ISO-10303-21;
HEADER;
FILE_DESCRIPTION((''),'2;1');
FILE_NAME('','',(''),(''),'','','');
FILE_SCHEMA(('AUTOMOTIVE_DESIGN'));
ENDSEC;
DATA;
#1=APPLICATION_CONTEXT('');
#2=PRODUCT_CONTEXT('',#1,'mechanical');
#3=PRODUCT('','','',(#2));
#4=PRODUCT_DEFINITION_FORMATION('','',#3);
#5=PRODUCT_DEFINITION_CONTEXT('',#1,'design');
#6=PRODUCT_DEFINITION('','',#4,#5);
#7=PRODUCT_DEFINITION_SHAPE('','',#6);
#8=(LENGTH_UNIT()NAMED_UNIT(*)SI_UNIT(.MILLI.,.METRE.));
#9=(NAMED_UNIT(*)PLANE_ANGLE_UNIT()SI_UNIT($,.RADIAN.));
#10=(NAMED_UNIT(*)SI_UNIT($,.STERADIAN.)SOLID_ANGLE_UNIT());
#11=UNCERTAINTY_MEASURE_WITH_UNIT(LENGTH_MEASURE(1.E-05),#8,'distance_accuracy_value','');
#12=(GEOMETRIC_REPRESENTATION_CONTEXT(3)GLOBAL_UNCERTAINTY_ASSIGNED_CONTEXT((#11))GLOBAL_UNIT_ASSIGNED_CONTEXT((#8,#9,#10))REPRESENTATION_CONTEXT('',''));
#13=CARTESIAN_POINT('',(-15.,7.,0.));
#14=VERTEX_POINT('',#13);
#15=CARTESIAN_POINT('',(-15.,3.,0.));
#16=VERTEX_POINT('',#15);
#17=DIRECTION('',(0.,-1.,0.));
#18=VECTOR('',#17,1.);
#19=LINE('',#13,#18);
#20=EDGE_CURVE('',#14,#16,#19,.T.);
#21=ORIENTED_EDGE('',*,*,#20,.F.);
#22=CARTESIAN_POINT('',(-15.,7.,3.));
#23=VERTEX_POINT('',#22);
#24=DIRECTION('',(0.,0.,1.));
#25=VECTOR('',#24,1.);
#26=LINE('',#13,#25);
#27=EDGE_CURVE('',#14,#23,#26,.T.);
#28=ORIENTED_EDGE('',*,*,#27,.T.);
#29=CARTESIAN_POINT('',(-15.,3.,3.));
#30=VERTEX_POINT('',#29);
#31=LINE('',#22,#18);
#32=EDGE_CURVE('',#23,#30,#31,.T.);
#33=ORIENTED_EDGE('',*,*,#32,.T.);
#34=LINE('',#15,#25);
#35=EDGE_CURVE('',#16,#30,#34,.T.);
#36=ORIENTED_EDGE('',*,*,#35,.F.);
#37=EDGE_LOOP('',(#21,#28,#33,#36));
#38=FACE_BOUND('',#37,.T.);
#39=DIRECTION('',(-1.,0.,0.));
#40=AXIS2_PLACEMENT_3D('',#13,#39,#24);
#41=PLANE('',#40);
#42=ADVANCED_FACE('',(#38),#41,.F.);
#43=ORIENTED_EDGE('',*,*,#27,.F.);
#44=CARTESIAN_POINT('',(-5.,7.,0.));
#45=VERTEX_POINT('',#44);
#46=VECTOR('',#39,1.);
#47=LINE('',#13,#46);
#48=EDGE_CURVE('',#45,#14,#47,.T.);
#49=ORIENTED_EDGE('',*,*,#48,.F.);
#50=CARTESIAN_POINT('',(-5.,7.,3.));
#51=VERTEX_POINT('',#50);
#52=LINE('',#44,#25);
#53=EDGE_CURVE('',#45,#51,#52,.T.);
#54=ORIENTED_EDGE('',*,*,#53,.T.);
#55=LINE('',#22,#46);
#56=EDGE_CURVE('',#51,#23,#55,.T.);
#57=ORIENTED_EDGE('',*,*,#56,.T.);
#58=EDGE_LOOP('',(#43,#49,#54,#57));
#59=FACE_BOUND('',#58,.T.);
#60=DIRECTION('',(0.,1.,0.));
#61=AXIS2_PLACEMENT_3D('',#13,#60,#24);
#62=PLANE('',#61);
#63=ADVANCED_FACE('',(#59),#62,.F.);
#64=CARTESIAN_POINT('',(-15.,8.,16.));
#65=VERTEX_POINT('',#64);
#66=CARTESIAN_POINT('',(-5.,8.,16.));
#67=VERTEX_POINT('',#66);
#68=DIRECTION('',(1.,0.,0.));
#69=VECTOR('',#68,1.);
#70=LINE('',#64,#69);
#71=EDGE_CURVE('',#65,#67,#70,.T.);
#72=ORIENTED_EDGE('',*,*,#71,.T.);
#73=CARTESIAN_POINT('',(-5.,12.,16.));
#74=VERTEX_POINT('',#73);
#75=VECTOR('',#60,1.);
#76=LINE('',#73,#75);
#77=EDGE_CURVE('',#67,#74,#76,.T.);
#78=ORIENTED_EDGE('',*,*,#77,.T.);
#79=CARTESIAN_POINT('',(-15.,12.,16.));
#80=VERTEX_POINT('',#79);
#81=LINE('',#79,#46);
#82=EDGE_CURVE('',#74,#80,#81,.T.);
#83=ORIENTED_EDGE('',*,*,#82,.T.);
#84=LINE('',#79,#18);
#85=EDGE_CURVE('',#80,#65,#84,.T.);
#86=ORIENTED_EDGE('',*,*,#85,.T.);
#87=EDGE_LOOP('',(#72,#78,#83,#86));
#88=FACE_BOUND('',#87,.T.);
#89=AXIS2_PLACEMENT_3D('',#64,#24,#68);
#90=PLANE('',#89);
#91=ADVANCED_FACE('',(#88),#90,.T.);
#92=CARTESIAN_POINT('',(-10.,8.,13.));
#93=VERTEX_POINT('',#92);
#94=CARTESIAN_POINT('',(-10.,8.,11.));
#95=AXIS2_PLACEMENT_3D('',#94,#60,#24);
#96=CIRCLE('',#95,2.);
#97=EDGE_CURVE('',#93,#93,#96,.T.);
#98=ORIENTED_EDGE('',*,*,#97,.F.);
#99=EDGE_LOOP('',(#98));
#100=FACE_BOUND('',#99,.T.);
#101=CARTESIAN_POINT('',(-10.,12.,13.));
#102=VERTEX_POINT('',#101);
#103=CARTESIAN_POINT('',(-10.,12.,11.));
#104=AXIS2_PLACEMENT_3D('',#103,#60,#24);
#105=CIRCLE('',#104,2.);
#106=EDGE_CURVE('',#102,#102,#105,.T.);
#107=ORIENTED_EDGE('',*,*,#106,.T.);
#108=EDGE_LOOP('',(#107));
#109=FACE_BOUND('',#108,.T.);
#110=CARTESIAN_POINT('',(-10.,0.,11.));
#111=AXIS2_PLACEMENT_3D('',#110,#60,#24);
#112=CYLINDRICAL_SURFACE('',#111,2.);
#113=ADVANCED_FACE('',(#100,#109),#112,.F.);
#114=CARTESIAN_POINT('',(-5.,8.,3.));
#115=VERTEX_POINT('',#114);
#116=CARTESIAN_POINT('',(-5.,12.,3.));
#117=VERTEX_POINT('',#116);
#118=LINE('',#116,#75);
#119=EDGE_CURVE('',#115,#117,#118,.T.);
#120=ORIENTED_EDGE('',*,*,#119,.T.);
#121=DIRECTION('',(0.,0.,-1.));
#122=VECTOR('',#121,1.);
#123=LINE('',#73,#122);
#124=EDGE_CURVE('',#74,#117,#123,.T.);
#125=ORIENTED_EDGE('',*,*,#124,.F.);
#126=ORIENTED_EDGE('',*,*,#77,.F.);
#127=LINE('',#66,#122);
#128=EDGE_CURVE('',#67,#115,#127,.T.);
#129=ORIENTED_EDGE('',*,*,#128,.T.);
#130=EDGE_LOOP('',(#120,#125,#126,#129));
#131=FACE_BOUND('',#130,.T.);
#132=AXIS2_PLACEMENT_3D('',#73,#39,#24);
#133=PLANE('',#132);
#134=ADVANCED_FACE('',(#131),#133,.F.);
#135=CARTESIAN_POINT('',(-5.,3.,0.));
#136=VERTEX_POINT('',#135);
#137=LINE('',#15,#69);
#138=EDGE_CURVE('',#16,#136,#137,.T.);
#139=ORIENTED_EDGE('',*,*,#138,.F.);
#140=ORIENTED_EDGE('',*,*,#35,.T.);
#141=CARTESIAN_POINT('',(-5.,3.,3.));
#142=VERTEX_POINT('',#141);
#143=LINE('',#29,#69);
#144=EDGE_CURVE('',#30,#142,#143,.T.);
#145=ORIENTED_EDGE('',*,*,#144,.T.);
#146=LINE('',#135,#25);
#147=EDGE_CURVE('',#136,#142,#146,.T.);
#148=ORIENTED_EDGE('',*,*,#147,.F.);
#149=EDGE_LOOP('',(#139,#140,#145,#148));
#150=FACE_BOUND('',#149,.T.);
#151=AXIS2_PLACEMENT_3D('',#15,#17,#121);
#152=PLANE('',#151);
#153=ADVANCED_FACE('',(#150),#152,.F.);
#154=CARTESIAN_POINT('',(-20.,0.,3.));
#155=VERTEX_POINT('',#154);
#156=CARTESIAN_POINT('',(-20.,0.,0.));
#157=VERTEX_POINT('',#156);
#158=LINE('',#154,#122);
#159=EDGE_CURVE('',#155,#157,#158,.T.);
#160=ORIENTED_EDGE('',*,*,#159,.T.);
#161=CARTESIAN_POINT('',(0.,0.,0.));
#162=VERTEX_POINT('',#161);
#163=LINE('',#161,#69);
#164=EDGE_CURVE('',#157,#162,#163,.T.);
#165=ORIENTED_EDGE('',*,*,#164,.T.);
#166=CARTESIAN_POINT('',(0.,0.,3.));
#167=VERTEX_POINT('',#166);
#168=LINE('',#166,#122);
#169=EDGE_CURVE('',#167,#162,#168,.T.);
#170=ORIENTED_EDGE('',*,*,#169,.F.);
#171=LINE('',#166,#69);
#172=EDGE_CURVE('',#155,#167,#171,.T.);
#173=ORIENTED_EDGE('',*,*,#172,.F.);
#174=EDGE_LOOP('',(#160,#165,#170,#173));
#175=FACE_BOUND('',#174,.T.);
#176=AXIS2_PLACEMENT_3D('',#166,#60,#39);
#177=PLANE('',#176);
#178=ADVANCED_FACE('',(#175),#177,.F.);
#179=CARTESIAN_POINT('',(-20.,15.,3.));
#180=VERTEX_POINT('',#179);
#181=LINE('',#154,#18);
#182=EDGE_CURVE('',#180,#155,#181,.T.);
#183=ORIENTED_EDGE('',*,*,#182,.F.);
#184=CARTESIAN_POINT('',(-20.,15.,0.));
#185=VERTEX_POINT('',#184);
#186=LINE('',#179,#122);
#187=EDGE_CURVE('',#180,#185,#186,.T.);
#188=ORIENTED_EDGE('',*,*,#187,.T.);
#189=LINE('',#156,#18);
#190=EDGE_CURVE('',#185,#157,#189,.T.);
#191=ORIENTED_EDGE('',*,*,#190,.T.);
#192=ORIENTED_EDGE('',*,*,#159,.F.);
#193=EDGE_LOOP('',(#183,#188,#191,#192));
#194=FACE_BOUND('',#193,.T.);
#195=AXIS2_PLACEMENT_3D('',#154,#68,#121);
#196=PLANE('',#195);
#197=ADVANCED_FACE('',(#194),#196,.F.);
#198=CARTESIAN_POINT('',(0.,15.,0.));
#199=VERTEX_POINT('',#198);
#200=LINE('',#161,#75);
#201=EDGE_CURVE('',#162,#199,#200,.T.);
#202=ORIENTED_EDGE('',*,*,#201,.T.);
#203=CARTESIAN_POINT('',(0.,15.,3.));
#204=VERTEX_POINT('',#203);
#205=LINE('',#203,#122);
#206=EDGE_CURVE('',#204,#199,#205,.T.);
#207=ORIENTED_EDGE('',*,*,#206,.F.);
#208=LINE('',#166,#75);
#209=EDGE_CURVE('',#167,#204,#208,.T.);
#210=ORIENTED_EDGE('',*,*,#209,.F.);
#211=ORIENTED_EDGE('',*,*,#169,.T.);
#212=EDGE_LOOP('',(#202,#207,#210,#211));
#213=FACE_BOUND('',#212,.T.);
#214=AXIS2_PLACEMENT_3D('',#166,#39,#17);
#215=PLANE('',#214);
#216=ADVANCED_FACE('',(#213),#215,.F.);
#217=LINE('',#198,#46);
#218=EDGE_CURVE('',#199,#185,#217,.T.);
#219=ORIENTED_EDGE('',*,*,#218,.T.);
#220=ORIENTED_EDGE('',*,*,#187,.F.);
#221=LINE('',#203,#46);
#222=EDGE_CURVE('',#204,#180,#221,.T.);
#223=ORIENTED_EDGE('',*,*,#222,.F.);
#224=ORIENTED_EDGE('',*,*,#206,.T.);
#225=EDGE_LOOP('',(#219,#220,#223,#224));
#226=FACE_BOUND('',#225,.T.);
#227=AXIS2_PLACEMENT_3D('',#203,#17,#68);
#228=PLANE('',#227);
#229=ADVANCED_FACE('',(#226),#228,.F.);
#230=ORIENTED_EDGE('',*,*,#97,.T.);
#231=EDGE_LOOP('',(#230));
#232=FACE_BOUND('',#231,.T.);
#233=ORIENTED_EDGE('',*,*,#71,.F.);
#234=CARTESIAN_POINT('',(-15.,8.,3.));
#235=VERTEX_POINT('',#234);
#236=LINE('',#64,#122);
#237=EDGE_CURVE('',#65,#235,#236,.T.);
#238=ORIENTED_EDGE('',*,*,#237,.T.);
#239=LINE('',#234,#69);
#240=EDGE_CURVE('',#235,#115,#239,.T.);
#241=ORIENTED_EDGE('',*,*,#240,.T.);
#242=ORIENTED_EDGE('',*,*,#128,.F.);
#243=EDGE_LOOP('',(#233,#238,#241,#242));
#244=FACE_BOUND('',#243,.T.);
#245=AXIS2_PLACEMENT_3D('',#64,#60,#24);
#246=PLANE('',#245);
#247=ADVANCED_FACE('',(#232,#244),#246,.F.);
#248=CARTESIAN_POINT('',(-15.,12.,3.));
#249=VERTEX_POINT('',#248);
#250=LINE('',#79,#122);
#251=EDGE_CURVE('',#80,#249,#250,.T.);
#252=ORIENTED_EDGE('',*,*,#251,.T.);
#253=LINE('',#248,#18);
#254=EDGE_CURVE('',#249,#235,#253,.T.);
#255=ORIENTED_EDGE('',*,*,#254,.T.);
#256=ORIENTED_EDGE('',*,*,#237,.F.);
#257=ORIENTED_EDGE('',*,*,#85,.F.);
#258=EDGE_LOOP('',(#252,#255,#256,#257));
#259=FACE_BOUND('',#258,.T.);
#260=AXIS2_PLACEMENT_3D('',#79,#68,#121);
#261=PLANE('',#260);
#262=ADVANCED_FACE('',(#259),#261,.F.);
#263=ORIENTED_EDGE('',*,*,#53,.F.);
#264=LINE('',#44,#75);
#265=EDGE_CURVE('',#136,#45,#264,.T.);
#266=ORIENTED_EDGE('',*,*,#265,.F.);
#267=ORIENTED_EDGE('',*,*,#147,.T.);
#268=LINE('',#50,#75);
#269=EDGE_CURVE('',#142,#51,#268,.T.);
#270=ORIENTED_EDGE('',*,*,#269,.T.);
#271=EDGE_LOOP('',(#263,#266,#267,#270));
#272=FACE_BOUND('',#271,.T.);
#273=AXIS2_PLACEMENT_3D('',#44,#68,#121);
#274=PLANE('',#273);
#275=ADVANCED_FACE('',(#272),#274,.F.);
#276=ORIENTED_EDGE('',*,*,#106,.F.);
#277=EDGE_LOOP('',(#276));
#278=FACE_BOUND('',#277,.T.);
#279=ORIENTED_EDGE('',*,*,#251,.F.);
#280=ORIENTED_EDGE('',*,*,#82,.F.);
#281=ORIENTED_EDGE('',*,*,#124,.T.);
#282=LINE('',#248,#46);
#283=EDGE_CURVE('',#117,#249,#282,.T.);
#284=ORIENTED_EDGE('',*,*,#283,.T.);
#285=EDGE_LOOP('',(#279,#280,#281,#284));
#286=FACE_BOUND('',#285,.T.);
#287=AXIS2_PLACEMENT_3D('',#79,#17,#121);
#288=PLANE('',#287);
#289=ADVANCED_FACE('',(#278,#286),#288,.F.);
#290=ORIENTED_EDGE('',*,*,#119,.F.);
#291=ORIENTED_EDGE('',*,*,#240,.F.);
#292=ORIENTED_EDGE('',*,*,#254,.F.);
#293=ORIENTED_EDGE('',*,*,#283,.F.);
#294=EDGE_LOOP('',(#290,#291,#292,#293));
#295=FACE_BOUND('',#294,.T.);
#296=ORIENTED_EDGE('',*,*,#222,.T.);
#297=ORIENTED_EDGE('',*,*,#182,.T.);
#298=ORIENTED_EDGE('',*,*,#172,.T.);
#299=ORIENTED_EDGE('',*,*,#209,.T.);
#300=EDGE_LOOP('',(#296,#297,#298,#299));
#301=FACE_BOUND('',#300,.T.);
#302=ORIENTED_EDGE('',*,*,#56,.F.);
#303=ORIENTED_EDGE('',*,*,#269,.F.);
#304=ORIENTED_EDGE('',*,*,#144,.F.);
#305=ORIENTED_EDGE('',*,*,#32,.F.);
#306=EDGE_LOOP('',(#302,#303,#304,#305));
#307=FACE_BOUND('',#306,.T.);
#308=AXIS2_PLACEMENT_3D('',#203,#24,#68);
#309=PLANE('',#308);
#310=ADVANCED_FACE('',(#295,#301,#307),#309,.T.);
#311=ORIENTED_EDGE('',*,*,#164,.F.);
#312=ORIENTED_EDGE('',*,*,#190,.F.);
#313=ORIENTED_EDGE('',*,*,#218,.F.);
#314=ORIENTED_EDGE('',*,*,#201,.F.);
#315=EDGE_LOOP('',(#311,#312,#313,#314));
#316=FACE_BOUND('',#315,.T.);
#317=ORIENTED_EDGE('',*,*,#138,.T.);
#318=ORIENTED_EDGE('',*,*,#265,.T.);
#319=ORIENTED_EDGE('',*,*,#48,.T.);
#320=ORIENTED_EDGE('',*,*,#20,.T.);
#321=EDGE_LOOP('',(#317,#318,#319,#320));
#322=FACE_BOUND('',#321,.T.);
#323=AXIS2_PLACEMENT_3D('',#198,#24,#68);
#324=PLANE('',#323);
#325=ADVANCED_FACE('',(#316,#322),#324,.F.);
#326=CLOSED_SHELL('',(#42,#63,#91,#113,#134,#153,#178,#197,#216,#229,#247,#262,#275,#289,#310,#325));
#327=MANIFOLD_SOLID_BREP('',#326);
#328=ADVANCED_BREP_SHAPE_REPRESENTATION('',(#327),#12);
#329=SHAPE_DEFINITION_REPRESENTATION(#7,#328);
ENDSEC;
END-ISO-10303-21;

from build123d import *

# Parameters (mm, degrees)
SKETCH1_W           = 20
SKETCH1_H           = 15
BOSS_EXTRUDE1_DEPTH = 3
SKETCH2_W           = 10
SKETCH2_H           = 4
BOSS_EXTRUDE2_DEPTH = 13
SKETCH4_W           = 10
SKETCH4_H           = 4
CUT_EXTRUDE3_DEPTH  = 4
SKETCH3_R           = 2
CUT_EXTRUDE4_DEPTH  = 13


with BuildPart() as part:
    # Sketch1 → Boss-Extrude1 (new body)
    with BuildSketch(Plane.XY):
        with Locations((-10, 7.5)):
            Rectangle(SKETCH1_W, SKETCH1_H)
    extrude(amount=BOSS_EXTRUDE1_DEPTH)

    # Sketch2 → Boss-Extrude2 (add)
    with BuildSketch(Plane.XY.offset(3)):
        with Locations((-10, 10)):
            Rectangle(SKETCH2_W, SKETCH2_H)
    extrude(amount=BOSS_EXTRUDE2_DEPTH)

    # Sketch4 → Cut-Extrude3 (cut, through all)
    with BuildSketch(Plane.XY.offset(3)):
        with Locations((-10, 5)):
            Rectangle(SKETCH4_W, SKETCH4_H)
    extrude(amount=-CUT_EXTRUDE3_DEPTH, mode=Mode.SUBTRACT)

    # Sketch3 → Cut-Extrude4 (cut, through all)
    with BuildSketch(Plane(origin=(0, 12, 0), x_dir=(1, 0, 0), z_dir=(0, 1, 0))):
        with Locations((-10, -11)):
            Circle(SKETCH3_R)
    extrude(amount=-CUT_EXTRUDE4_DEPTH, mode=Mode.SUBTRACT)


solid = part.part
